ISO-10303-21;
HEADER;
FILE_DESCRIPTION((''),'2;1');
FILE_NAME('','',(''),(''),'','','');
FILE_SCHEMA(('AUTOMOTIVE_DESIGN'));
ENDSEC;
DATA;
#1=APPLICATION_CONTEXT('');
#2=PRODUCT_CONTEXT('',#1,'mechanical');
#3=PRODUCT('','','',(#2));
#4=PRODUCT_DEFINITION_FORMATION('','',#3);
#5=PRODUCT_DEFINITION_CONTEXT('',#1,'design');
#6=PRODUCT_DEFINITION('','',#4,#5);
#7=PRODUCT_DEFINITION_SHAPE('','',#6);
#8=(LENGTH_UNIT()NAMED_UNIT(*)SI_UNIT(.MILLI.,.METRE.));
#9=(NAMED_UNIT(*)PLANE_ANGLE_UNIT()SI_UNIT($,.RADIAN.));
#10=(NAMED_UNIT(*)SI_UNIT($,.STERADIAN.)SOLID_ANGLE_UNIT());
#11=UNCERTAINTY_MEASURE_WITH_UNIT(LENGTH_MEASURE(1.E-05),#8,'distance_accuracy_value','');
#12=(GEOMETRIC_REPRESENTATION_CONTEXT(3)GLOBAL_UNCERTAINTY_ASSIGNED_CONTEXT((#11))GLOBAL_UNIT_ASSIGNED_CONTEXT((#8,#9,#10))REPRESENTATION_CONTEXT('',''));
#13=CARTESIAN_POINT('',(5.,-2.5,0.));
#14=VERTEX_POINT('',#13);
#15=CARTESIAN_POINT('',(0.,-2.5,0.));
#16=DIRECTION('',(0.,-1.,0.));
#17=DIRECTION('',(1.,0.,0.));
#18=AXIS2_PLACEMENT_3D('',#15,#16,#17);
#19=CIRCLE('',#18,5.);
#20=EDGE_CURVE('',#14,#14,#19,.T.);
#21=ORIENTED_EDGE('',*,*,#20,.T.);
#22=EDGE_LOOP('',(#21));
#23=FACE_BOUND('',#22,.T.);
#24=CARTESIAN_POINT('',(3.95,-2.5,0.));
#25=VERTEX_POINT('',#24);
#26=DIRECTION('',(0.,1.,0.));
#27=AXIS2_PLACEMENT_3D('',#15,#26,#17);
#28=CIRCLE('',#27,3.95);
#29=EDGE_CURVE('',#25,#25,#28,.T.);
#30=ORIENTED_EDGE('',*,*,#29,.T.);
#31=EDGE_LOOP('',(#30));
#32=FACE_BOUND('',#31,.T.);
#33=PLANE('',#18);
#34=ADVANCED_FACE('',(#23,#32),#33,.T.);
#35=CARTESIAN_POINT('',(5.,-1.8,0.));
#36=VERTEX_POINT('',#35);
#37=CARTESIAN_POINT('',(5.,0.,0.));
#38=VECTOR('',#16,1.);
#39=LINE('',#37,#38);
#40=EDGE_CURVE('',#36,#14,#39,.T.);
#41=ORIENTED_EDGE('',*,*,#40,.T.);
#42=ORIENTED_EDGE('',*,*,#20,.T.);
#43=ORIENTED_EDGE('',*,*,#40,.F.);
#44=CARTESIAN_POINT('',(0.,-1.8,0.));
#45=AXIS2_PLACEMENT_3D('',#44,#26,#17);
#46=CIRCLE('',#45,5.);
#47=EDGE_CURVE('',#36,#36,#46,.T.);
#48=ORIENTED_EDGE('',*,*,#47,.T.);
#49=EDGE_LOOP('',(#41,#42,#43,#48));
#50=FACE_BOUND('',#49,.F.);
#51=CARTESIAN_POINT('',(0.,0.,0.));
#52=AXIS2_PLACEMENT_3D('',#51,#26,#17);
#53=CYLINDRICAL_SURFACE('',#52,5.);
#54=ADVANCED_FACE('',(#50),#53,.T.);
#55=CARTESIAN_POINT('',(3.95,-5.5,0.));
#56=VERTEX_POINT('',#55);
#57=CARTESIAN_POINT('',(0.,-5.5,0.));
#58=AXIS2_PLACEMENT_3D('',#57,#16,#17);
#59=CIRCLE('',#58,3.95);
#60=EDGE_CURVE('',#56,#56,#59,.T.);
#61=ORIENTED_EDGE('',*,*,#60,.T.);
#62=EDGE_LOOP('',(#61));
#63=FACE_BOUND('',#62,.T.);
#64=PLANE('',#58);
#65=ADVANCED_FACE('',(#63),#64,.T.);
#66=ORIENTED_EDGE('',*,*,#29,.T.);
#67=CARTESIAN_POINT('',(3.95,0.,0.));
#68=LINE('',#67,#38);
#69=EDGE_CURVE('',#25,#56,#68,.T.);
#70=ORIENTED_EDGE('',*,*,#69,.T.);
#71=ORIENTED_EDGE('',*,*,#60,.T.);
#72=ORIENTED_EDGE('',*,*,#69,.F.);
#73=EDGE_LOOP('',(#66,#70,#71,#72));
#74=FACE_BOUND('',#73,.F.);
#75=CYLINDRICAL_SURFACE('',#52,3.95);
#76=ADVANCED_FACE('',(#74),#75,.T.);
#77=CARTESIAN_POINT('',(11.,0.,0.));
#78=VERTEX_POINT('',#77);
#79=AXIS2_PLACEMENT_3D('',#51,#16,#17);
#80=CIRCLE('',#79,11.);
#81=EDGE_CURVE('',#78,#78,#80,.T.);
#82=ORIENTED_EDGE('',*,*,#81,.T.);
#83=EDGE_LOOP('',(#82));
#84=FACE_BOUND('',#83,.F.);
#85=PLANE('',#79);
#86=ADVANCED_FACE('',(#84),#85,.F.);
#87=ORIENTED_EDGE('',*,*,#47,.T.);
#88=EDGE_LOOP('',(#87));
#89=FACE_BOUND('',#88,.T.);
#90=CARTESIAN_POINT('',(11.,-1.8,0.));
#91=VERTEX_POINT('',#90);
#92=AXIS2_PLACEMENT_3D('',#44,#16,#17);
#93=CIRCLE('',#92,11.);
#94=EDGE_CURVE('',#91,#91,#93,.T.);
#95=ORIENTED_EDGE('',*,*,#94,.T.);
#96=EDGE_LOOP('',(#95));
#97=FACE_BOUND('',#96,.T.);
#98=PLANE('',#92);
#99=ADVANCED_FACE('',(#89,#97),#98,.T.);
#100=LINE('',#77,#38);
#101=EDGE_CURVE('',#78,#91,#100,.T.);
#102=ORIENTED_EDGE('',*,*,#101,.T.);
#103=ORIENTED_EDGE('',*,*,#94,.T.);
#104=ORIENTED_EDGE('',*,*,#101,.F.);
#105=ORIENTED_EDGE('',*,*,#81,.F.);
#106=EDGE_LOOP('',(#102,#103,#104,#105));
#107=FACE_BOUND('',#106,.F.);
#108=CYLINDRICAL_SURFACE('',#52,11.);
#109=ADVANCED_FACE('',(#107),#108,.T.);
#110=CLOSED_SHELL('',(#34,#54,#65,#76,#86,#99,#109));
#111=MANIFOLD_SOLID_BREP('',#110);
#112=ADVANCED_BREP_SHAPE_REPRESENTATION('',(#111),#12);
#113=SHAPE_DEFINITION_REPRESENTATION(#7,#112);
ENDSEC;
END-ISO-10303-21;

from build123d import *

# Parameters (mm, degrees)
F0_R     = 11
F1_DEPTH = 1.8
F2_R     = 3.95
F3_DEPTH = 5.5
F4_R     = 5
F5_DEPTH = 2.5


with BuildPart() as f1:
    # F0 (on Front) → F1 (new body)
    with BuildSketch(Plane.XZ):
        Circle(F0_R)
    extrude(amount=F1_DEPTH)

    # F2 (on Front) → F3 (join)
    with BuildSketch(Plane.XZ):
        Circle(F2_R)
    extrude(amount=F3_DEPTH)

    # F4 (on Front) → F5 (join)
    with BuildSketch(Plane.XZ):
        Circle(F4_R)
    extrude(amount=F5_DEPTH)


solid = f1.part
